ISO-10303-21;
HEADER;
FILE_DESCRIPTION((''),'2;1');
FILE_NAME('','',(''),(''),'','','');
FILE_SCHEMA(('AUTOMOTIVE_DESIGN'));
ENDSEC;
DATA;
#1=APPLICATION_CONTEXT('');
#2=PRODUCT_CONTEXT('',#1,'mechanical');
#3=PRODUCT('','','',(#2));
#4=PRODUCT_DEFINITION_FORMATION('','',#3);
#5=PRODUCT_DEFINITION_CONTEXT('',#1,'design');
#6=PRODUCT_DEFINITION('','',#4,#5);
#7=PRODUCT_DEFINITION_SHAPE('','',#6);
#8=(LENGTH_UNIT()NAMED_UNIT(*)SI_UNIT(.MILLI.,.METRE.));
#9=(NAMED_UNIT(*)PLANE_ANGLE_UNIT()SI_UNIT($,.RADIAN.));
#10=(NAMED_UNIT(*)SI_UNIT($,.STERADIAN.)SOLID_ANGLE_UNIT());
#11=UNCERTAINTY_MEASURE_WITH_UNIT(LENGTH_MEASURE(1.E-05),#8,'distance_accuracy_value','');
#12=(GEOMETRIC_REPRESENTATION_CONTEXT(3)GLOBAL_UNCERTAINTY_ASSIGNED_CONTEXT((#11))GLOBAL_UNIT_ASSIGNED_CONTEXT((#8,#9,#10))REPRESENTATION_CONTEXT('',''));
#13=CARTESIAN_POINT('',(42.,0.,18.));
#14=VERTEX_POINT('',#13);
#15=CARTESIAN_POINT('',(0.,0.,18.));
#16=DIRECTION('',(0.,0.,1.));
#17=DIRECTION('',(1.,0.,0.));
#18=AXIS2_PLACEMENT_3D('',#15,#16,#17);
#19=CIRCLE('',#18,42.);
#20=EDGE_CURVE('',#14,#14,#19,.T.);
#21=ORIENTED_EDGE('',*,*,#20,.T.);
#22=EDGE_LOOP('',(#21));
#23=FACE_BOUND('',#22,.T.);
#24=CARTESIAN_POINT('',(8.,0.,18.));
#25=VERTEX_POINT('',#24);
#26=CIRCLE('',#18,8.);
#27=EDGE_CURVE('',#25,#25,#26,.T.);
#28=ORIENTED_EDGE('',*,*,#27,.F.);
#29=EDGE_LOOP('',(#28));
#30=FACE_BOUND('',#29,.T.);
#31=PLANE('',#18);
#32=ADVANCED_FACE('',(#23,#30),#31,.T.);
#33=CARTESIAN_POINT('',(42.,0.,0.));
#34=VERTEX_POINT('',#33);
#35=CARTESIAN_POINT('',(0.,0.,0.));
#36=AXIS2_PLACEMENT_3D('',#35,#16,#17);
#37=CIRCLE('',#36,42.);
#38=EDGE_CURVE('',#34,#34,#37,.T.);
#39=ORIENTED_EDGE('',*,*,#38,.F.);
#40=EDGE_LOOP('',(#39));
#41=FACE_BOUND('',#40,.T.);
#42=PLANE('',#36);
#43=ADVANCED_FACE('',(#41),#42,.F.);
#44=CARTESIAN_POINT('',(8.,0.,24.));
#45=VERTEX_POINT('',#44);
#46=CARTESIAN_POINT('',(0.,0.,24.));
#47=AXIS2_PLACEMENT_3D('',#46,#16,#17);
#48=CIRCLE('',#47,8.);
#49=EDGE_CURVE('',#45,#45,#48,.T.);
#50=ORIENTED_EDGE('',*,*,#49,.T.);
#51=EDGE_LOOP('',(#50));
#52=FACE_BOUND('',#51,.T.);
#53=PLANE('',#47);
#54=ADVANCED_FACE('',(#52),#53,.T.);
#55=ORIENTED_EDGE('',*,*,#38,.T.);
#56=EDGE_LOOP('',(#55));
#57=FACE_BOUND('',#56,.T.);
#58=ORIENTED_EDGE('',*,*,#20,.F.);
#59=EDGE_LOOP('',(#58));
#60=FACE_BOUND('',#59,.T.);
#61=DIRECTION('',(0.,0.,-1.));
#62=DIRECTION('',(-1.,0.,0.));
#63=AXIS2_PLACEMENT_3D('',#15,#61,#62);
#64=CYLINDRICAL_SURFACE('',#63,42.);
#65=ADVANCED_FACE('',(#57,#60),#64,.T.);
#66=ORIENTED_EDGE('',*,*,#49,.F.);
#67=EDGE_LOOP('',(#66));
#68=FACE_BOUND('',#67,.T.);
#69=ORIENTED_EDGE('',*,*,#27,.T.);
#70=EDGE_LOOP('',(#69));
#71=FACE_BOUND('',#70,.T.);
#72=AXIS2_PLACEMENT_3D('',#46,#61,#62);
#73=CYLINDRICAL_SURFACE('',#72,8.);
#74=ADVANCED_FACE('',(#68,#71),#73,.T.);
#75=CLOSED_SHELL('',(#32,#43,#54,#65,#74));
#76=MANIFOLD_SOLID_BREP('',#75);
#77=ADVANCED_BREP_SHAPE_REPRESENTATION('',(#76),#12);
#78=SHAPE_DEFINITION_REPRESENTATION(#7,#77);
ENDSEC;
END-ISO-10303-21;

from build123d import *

# Parameters (mm, degrees)
SKETCH_1_R      = 8
EXTRUDE_1_DEPTH = 24
SKETCH_2_R      = 42
EXTRUDE_2_DEPTH = 18


with BuildPart() as part:
    # 草图1 → 凸台-拉伸1 (new body)
    with BuildSketch(Plane.XY):
        Circle(SKETCH_1_R)
    extrude(amount=EXTRUDE_1_DEPTH)

    # 草图2 → 凸台-拉伸2 (add)
    with BuildSketch(Plane.XY):
        Circle(SKETCH_2_R)
    extrude(amount=EXTRUDE_2_DEPTH)


solid = part.part
